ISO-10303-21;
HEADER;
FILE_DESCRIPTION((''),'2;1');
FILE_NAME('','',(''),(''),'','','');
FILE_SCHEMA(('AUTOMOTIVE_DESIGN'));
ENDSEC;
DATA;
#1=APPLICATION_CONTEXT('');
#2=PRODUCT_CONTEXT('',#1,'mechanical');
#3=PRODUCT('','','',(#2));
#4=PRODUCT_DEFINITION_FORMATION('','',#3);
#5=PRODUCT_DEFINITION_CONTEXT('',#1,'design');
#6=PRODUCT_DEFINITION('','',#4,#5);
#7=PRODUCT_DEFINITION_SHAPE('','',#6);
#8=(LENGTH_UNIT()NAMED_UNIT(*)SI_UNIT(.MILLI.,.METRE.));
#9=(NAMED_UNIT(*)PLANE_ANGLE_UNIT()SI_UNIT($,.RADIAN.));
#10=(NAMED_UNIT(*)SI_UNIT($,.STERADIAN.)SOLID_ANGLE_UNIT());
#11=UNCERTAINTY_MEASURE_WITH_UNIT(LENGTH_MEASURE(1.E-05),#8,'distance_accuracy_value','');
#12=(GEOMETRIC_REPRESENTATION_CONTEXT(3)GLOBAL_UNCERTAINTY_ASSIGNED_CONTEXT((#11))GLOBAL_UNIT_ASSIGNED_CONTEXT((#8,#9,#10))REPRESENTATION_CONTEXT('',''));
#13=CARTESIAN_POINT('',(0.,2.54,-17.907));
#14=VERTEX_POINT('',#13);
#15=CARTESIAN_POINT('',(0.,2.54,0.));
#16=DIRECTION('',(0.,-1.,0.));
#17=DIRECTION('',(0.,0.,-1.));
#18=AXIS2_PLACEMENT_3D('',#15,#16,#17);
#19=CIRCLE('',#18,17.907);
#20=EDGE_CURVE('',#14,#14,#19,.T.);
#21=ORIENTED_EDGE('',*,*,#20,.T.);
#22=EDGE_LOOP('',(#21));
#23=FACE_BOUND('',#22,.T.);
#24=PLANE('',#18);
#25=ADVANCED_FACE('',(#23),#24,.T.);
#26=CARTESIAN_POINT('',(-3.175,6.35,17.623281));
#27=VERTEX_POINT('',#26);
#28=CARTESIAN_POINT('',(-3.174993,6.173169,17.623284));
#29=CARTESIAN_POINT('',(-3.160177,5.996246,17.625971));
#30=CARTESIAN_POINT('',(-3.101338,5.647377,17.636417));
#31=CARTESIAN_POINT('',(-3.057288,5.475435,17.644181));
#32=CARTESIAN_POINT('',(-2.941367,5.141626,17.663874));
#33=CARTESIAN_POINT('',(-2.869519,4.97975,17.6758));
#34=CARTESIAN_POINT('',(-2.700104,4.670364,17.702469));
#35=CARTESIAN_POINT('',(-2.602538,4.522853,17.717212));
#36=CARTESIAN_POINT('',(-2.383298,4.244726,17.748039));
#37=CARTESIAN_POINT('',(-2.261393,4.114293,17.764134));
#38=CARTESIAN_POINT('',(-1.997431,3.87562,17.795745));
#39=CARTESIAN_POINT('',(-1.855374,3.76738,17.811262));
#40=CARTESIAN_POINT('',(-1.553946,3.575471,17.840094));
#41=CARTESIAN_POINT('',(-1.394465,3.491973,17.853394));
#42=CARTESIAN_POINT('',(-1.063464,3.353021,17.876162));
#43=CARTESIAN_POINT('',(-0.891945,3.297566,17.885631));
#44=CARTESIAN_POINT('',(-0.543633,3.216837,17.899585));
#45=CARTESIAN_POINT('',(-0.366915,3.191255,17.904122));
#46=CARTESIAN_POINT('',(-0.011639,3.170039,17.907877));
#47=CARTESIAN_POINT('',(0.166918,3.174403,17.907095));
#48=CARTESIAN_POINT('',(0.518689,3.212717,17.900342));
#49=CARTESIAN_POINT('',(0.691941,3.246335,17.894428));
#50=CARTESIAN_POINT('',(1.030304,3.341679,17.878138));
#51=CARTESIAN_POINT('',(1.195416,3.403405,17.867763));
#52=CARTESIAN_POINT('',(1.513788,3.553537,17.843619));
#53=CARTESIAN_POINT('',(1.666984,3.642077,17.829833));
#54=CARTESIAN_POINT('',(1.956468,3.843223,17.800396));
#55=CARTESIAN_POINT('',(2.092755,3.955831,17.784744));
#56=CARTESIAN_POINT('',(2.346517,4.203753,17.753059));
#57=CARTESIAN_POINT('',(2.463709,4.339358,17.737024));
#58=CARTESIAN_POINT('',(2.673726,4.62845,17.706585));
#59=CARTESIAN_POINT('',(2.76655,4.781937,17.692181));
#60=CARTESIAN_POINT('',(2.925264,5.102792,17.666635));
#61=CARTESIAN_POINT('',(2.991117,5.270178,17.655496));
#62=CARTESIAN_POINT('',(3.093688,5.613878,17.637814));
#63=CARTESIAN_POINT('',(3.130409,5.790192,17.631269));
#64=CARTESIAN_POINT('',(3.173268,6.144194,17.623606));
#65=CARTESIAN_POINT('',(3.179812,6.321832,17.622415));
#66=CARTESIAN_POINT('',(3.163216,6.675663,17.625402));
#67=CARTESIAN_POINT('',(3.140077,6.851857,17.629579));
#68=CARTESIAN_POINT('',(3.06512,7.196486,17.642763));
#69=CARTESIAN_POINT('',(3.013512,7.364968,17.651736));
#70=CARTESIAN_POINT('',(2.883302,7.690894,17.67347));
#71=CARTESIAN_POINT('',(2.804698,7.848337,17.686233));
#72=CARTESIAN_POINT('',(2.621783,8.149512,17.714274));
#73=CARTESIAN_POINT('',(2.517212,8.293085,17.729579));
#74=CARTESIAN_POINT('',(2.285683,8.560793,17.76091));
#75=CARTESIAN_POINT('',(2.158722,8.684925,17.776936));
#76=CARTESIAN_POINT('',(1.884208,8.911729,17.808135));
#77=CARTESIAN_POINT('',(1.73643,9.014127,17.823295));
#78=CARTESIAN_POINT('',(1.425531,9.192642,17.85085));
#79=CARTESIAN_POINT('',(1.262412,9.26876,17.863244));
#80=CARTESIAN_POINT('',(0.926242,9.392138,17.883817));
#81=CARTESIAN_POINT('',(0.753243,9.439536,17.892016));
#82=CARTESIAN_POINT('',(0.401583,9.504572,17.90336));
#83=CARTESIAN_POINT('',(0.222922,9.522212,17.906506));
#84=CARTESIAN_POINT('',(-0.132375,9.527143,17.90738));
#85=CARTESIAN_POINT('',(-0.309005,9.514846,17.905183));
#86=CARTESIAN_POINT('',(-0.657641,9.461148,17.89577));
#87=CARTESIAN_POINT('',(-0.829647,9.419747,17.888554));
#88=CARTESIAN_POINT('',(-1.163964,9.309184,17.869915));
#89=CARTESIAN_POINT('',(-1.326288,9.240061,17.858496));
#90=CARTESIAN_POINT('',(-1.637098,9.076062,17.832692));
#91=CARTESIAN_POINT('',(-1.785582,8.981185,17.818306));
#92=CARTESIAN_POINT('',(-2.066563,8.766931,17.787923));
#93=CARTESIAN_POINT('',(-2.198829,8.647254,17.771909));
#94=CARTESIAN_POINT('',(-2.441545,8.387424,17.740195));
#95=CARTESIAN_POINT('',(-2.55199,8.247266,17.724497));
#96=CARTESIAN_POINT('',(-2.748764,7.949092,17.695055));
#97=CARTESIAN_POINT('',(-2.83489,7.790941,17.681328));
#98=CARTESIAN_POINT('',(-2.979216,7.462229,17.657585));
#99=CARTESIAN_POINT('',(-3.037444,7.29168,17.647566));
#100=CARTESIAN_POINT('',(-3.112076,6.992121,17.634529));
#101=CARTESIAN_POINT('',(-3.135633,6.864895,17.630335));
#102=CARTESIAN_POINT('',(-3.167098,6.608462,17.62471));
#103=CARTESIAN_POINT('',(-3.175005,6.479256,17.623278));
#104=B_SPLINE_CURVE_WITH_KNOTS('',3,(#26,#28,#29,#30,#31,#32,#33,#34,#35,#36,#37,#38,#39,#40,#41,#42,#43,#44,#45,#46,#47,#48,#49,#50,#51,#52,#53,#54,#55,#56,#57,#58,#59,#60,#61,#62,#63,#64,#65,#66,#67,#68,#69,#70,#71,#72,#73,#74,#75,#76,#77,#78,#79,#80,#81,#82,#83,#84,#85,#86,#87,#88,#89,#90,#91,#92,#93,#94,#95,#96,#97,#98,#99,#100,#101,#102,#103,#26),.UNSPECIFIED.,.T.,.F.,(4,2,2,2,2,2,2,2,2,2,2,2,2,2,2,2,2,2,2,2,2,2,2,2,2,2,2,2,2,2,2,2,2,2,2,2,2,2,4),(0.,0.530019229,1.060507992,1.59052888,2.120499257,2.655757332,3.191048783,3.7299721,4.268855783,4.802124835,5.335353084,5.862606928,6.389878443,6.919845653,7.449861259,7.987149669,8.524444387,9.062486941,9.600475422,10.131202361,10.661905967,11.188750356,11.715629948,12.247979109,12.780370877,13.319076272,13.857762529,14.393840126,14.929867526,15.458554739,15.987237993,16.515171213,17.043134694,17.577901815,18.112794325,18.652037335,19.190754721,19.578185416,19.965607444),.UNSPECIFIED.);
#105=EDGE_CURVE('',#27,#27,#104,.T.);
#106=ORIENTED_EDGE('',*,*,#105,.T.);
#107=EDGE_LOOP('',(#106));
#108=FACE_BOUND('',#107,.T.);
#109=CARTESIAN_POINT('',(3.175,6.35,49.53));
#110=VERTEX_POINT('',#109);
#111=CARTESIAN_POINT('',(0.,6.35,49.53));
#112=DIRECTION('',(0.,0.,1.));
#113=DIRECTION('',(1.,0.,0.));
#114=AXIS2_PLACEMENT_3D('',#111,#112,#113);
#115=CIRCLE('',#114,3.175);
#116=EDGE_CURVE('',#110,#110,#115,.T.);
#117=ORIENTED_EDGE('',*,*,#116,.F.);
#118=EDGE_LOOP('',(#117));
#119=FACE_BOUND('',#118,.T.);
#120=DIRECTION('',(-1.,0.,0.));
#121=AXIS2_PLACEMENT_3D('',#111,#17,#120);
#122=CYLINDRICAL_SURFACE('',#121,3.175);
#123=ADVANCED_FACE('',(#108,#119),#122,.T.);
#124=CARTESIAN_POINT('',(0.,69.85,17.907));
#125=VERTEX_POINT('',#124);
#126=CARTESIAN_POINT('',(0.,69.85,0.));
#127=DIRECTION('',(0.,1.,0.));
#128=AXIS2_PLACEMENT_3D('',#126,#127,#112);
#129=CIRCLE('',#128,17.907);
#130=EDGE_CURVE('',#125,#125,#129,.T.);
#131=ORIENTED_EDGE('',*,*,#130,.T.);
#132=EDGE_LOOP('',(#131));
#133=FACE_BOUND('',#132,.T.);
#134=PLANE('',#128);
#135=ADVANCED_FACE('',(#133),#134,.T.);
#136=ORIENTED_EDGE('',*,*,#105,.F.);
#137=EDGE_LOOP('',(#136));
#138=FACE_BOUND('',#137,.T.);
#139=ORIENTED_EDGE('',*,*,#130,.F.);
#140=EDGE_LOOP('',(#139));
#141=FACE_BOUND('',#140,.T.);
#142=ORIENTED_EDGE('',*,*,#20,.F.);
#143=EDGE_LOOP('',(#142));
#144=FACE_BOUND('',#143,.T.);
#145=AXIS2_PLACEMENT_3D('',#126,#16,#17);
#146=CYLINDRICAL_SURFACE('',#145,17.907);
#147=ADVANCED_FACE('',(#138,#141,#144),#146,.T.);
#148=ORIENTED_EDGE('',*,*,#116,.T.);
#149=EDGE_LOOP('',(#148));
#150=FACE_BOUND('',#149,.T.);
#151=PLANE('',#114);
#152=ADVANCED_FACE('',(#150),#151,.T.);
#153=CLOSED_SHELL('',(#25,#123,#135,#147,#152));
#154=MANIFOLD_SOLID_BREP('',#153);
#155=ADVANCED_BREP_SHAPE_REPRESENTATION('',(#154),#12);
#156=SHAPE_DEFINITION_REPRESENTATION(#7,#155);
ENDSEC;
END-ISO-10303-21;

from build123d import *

# Parameters (mm, degrees)
SKETCH2_R           = 17.907
BOSS_EXTRUDE1_DEPTH = 69.85
SKETCH3_R           = 3.175
BOSS_EXTRUDE2_DEPTH = 49.53
SKETCH4_R           = 17.907
CUT_EXTRUDE1_DEPTH  = 2.54


with BuildPart() as part:
    # Sketch2 → Boss-Extrude1 (new body)
    with BuildSketch(Plane(origin=(0, 0, 0), x_dir=(1, 0, 0), z_dir=(0, 1, 0))):
        with Locations(Location((0, 0, 0), (0, 0, 270))):
            Circle(SKETCH2_R)
    extrude(amount=BOSS_EXTRUDE1_DEPTH)

    # Sketch3 → Boss-Extrude2 (add)
    with BuildSketch(Plane.XY):
        with Locations(Location((0, 6.35, 0), (0, 0, 180))):
            Circle(SKETCH3_R)
    extrude(amount=BOSS_EXTRUDE2_DEPTH)

    # Sketch4 → Cut-Extrude1 (cut)
    with BuildSketch(Plane.XZ):
        with Locations(Location((0, 0, 0), (0, 0, 270))):
            Circle(SKETCH4_R)
    extrude(amount=-CUT_EXTRUDE1_DEPTH, mode=Mode.SUBTRACT)


solid = part.part
